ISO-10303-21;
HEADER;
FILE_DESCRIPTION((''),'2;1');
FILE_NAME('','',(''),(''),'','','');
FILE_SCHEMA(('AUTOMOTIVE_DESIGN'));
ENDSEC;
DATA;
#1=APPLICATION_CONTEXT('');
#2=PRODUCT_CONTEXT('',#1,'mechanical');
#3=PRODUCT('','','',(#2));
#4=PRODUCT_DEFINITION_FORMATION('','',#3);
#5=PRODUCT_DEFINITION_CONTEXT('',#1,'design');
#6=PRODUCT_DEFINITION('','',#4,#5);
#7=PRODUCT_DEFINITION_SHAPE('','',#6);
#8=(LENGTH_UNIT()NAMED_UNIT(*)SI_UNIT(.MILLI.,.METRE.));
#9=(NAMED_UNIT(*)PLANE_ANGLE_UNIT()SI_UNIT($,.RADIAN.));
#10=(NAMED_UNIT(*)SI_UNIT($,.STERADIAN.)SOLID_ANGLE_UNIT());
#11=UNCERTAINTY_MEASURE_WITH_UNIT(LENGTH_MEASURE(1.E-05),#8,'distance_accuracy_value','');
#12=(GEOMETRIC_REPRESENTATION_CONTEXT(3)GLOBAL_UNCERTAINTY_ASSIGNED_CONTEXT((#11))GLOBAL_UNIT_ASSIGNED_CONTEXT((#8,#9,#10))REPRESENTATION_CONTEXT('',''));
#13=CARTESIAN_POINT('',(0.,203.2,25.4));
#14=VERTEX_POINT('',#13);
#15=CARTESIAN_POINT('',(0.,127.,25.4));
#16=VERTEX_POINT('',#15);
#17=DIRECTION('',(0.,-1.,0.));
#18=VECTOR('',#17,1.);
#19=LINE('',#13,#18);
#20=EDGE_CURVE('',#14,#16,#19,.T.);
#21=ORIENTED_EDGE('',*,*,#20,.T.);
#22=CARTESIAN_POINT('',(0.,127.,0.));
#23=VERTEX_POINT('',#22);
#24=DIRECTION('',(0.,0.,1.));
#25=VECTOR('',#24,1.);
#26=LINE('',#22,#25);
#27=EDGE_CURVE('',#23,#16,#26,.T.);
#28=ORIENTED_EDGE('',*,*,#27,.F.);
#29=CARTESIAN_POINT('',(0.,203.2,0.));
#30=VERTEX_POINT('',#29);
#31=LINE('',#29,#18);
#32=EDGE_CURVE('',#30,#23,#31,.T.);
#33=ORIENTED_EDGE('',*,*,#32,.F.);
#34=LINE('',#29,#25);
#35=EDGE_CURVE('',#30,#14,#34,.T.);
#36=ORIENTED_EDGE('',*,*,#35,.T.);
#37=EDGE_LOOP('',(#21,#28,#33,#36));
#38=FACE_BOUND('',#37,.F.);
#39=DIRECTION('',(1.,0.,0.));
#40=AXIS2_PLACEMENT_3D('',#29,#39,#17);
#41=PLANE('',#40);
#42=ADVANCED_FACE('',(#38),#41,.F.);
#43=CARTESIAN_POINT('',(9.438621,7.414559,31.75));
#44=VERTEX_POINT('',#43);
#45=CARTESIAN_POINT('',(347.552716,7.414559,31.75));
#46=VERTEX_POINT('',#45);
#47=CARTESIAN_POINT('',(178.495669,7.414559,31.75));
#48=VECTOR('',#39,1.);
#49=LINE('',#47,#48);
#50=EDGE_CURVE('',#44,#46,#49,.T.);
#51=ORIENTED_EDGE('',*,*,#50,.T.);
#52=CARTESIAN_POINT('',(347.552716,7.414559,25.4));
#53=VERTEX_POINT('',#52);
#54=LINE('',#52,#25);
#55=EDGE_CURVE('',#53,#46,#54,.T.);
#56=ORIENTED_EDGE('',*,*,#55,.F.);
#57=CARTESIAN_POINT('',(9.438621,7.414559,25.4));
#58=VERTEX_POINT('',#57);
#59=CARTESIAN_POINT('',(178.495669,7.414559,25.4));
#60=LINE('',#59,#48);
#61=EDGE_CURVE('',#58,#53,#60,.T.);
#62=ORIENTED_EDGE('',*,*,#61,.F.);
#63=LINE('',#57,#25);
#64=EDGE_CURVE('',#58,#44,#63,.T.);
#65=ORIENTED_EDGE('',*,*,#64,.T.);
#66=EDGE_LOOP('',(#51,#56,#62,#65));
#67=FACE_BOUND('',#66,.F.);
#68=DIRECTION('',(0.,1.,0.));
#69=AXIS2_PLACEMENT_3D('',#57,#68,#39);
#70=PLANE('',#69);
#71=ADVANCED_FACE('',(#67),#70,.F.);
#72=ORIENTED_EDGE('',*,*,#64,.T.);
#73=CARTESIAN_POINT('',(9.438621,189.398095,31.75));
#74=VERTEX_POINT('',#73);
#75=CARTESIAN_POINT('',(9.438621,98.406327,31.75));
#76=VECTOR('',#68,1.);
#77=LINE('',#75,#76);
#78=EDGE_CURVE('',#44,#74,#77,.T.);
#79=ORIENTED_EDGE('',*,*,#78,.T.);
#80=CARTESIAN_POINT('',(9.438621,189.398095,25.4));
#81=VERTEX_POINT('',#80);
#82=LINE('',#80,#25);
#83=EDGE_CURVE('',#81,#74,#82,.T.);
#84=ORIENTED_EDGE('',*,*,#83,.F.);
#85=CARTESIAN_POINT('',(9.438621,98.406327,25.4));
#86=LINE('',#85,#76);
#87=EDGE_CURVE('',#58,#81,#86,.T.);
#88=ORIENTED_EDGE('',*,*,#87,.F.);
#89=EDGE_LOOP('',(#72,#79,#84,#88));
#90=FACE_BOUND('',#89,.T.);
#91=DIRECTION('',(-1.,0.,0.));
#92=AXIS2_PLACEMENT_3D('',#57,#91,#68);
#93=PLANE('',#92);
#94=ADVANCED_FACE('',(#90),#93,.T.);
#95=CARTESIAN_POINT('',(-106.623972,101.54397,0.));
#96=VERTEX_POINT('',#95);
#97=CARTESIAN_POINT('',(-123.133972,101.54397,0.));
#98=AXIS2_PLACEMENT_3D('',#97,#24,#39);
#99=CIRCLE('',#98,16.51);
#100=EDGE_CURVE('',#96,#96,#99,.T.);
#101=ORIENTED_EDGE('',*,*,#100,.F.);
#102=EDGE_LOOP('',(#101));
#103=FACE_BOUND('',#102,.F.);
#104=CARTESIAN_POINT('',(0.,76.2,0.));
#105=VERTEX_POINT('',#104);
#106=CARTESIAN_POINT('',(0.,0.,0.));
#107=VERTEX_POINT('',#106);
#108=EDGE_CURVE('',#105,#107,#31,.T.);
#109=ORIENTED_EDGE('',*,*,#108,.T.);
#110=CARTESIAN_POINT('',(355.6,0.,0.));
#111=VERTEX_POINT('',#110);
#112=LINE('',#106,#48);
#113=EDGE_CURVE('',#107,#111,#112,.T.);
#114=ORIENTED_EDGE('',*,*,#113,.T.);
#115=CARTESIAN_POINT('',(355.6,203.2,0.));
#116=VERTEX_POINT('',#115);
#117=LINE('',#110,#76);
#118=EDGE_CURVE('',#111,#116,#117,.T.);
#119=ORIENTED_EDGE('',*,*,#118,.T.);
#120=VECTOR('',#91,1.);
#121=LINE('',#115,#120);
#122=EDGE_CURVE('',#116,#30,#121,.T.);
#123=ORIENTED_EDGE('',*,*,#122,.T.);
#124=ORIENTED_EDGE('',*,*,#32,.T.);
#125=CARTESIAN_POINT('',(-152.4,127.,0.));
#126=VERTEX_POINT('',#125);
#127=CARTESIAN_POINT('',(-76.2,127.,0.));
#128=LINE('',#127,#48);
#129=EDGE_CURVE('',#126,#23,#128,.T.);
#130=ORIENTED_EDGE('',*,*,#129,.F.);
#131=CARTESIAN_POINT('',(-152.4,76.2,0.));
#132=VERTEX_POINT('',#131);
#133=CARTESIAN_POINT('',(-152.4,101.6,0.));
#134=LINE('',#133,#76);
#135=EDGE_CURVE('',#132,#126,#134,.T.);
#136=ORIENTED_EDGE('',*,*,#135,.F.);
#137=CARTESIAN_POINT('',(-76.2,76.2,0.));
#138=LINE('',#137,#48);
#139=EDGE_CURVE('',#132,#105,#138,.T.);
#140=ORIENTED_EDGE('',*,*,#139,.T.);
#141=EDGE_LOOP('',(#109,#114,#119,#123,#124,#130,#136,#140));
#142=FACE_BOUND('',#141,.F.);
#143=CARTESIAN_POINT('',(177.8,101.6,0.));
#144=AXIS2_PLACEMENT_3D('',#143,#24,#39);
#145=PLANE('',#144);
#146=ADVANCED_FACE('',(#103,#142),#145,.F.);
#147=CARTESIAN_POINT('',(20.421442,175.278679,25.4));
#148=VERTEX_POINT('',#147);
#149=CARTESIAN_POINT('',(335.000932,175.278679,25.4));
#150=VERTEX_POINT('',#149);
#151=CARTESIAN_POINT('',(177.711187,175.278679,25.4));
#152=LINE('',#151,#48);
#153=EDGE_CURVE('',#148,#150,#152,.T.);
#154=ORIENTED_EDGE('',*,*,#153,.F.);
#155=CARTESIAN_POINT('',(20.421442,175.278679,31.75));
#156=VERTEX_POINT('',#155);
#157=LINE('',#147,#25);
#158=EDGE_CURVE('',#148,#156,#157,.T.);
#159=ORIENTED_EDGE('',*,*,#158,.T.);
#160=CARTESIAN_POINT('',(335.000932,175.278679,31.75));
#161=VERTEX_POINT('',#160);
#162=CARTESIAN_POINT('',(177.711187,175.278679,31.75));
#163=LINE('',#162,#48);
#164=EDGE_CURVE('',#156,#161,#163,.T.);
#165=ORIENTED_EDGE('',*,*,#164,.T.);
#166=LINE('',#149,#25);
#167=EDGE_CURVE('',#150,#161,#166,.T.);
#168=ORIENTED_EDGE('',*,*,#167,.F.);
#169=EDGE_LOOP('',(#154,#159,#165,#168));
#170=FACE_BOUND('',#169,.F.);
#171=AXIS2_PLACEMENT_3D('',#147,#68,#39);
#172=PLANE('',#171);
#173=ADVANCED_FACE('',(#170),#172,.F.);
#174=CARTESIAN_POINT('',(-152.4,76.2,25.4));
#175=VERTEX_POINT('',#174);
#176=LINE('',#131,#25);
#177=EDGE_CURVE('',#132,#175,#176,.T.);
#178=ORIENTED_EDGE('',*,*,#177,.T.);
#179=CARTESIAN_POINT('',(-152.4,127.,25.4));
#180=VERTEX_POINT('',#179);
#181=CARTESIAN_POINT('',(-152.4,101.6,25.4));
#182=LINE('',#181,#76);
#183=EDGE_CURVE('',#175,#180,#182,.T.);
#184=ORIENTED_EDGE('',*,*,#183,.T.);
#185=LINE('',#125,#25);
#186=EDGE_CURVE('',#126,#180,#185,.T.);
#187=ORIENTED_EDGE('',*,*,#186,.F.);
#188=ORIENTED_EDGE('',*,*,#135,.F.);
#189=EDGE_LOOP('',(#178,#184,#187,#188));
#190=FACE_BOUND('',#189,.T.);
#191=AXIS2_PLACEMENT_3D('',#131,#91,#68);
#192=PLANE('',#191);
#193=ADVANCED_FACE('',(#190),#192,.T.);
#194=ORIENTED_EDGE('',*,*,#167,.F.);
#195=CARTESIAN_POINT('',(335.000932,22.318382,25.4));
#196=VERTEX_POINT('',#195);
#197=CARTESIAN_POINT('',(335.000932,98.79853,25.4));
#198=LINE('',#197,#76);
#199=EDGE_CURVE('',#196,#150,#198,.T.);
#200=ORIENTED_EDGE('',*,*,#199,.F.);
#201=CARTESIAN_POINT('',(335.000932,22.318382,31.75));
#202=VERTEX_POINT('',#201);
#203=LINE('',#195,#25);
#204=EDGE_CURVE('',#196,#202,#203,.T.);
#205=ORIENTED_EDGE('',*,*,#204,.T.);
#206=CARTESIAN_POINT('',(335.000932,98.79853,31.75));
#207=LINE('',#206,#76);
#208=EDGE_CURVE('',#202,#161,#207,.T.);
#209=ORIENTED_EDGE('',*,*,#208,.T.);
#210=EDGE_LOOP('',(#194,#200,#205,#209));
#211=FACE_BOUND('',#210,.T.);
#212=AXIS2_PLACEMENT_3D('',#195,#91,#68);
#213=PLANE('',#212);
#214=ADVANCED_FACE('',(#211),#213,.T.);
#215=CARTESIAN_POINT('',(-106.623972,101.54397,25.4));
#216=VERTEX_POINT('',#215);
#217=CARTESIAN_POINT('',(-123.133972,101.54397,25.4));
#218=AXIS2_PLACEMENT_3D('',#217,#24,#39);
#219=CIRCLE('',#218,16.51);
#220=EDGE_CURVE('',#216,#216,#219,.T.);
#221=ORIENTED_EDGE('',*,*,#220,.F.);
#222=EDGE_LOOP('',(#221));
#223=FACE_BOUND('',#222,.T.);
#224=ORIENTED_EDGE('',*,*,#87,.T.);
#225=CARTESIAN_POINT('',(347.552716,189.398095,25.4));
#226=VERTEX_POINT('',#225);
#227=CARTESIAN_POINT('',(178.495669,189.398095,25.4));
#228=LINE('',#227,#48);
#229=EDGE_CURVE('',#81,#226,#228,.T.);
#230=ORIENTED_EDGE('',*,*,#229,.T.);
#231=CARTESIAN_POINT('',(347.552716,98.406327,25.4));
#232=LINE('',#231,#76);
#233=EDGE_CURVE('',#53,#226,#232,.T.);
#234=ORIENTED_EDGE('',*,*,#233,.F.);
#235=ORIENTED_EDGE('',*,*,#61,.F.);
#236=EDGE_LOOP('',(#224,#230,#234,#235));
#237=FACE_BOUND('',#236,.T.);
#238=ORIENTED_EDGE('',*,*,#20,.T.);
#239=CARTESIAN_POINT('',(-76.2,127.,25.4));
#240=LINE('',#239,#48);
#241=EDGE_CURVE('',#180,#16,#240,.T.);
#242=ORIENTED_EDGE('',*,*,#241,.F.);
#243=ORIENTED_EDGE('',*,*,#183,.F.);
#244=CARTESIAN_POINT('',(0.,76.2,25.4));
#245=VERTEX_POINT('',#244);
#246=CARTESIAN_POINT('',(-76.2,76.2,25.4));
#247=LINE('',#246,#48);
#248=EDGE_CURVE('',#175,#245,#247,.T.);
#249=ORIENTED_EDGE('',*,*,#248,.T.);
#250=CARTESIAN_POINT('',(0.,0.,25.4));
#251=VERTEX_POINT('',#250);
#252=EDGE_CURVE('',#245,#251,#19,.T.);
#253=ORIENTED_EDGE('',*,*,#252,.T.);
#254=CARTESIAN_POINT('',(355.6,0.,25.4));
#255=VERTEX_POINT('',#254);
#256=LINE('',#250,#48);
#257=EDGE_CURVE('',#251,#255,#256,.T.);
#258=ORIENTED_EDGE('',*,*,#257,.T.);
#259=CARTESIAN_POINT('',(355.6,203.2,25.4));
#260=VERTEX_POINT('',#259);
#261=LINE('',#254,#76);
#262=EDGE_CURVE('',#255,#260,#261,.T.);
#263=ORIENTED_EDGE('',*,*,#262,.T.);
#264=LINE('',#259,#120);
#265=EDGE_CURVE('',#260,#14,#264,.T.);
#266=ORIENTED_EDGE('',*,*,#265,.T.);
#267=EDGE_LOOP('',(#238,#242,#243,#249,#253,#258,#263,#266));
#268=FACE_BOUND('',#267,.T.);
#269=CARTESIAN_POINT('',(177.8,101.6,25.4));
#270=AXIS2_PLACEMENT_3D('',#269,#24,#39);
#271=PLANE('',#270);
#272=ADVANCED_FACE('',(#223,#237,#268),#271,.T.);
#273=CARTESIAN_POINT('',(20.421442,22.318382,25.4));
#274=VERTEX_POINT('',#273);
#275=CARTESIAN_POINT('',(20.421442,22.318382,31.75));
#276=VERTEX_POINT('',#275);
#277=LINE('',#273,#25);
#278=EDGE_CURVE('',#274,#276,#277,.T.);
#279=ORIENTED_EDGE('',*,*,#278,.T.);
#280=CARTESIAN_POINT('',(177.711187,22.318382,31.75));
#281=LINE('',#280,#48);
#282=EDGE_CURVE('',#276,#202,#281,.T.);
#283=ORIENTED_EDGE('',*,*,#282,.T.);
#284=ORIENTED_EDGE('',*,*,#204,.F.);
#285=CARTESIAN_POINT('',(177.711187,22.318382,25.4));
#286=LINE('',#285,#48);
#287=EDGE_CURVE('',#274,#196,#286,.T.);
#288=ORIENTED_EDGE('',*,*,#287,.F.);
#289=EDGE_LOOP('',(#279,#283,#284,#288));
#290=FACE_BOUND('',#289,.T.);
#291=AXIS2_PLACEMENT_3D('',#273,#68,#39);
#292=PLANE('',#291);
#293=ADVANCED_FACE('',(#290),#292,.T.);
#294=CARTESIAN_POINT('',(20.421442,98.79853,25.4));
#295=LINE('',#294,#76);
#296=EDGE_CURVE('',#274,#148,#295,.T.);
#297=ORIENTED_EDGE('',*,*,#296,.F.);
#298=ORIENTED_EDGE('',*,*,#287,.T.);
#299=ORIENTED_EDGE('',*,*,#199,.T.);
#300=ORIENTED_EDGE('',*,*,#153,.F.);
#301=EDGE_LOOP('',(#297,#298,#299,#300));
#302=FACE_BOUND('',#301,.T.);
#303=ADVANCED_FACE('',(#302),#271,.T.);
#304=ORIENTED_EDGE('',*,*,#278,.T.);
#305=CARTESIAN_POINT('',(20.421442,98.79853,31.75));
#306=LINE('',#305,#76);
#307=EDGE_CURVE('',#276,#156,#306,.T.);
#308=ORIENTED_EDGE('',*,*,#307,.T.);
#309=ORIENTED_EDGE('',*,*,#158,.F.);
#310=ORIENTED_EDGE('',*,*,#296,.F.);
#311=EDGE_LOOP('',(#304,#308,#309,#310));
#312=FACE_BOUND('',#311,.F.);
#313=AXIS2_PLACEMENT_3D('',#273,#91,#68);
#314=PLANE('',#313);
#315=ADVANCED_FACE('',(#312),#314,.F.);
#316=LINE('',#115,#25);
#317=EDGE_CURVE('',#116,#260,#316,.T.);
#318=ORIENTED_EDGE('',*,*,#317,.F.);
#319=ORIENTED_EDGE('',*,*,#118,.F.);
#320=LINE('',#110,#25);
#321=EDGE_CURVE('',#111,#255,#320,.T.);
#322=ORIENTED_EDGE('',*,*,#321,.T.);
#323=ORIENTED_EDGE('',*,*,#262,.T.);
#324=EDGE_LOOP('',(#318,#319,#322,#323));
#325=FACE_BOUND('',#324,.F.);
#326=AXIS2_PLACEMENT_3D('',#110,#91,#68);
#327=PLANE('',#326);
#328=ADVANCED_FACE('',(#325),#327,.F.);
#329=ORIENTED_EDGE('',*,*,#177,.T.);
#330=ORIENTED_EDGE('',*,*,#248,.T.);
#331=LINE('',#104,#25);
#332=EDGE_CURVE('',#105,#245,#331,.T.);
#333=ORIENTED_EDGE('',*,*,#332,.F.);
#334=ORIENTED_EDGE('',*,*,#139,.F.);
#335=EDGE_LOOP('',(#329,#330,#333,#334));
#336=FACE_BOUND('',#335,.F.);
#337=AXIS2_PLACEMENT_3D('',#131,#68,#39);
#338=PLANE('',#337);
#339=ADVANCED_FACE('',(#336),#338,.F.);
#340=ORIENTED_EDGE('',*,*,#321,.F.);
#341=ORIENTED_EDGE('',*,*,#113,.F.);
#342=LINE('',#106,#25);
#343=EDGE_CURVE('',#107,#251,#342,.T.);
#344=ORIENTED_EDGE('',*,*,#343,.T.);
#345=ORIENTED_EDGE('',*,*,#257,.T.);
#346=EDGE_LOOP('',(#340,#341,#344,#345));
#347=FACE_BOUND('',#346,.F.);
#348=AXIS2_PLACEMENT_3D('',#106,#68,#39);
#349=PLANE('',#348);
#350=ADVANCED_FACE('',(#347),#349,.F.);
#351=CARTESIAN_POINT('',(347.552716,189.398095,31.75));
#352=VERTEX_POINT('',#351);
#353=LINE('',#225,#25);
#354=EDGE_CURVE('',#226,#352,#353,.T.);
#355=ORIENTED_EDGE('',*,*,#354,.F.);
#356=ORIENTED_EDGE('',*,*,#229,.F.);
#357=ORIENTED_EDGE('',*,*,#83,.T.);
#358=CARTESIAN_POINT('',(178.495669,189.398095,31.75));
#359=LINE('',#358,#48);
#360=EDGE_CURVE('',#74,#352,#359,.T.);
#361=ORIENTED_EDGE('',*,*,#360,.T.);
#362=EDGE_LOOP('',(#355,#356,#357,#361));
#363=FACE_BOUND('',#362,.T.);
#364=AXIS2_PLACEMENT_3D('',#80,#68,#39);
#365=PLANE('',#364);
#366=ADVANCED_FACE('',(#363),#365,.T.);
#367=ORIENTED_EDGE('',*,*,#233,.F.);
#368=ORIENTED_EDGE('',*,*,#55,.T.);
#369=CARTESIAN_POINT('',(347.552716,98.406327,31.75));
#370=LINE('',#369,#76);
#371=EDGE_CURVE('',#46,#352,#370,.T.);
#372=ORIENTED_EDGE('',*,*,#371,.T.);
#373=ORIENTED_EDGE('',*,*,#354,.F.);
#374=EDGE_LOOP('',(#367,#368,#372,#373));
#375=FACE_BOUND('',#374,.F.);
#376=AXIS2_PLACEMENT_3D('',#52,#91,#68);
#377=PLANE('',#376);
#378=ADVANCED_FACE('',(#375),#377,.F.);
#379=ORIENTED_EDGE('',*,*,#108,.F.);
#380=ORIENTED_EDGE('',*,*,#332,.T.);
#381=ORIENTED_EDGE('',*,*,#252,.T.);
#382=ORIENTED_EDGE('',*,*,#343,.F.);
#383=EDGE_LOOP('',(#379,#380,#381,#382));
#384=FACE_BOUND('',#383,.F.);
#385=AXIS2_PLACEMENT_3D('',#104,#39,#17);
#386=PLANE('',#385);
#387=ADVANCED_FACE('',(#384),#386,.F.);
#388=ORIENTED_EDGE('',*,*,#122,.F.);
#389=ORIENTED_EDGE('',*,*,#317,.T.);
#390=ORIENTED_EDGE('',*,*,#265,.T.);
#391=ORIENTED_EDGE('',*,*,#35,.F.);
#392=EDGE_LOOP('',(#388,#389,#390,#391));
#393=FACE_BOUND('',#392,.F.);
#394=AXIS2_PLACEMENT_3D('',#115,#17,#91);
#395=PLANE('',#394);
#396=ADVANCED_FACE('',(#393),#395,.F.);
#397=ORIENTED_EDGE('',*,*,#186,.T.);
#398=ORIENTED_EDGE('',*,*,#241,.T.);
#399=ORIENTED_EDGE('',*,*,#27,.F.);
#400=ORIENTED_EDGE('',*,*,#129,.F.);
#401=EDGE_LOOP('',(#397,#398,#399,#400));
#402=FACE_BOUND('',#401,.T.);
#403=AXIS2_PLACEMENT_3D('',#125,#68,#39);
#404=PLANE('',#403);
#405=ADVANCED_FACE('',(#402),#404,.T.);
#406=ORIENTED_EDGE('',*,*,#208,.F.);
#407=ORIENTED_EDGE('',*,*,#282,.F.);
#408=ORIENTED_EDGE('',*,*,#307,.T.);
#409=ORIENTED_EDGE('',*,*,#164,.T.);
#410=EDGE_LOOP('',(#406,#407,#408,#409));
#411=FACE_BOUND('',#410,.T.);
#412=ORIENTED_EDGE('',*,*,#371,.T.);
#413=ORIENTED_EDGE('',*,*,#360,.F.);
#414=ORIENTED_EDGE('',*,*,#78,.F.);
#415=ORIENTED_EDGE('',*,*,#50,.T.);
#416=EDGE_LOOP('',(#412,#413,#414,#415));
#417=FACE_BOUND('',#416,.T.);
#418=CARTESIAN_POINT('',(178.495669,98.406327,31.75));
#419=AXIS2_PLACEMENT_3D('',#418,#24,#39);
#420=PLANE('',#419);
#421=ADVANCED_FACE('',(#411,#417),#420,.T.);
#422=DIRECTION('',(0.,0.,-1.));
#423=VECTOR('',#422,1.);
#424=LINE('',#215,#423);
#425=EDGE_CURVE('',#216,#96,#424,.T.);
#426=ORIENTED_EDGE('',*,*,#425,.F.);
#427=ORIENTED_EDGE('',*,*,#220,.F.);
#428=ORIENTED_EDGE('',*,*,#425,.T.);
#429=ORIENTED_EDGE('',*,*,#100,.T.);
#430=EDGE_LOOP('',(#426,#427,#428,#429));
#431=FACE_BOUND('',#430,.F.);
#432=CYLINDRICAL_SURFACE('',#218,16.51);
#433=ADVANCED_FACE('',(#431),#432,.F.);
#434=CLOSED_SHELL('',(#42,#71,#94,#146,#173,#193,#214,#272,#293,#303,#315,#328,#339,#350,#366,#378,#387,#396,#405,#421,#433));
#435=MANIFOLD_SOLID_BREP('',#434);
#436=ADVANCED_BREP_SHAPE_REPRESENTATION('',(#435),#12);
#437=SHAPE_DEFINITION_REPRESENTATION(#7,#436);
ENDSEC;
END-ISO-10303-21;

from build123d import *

# Parameters (mm, degrees)
F0_W     = 152.4
F0_H     = 50.8
F1_DEPTH = 25.4
F3_W     = 338.114095
F3_H     = 181.983536
F3_W_2   = 314.57949
F3_H_2   = 152.960297
F4_DEPTH = 6.35
F2_R     = 16.51
F5_DEPTH = 25.4


with BuildPart() as f1:
    # F0 (on Top) → F1 (new body)
    with BuildSketch(Plane.XY):
        Polygon((0, 76.2), (0, 0), (355.6, 0), (355.6, 203.2), (0, 203.2), (0, 127), align=None)
        with Locations((-76.2, 101.6)):
            Rectangle(F0_W, F0_H)
    extrude(amount=F1_DEPTH)

    # F3 (on face) → F4 (join)
    with BuildSketch(Plane.XY.offset(25.4)):
        with Locations((178.495669, 98.406327)):
            Rectangle(F3_W, F3_H)
        with Locations((177.711187, 98.79853)):
            Rectangle(F3_W_2, F3_H_2, mode=Mode.SUBTRACT)
    extrude(amount=F4_DEPTH)

    # F2 (on face) → F5 (cut)
    with BuildSketch(Plane.XY.offset(25.4)):
        with Locations((-123.133972, 101.54397)):
            Circle(F2_R)
    extrude(amount=-F5_DEPTH, mode=Mode.SUBTRACT)


solid = f1.part
